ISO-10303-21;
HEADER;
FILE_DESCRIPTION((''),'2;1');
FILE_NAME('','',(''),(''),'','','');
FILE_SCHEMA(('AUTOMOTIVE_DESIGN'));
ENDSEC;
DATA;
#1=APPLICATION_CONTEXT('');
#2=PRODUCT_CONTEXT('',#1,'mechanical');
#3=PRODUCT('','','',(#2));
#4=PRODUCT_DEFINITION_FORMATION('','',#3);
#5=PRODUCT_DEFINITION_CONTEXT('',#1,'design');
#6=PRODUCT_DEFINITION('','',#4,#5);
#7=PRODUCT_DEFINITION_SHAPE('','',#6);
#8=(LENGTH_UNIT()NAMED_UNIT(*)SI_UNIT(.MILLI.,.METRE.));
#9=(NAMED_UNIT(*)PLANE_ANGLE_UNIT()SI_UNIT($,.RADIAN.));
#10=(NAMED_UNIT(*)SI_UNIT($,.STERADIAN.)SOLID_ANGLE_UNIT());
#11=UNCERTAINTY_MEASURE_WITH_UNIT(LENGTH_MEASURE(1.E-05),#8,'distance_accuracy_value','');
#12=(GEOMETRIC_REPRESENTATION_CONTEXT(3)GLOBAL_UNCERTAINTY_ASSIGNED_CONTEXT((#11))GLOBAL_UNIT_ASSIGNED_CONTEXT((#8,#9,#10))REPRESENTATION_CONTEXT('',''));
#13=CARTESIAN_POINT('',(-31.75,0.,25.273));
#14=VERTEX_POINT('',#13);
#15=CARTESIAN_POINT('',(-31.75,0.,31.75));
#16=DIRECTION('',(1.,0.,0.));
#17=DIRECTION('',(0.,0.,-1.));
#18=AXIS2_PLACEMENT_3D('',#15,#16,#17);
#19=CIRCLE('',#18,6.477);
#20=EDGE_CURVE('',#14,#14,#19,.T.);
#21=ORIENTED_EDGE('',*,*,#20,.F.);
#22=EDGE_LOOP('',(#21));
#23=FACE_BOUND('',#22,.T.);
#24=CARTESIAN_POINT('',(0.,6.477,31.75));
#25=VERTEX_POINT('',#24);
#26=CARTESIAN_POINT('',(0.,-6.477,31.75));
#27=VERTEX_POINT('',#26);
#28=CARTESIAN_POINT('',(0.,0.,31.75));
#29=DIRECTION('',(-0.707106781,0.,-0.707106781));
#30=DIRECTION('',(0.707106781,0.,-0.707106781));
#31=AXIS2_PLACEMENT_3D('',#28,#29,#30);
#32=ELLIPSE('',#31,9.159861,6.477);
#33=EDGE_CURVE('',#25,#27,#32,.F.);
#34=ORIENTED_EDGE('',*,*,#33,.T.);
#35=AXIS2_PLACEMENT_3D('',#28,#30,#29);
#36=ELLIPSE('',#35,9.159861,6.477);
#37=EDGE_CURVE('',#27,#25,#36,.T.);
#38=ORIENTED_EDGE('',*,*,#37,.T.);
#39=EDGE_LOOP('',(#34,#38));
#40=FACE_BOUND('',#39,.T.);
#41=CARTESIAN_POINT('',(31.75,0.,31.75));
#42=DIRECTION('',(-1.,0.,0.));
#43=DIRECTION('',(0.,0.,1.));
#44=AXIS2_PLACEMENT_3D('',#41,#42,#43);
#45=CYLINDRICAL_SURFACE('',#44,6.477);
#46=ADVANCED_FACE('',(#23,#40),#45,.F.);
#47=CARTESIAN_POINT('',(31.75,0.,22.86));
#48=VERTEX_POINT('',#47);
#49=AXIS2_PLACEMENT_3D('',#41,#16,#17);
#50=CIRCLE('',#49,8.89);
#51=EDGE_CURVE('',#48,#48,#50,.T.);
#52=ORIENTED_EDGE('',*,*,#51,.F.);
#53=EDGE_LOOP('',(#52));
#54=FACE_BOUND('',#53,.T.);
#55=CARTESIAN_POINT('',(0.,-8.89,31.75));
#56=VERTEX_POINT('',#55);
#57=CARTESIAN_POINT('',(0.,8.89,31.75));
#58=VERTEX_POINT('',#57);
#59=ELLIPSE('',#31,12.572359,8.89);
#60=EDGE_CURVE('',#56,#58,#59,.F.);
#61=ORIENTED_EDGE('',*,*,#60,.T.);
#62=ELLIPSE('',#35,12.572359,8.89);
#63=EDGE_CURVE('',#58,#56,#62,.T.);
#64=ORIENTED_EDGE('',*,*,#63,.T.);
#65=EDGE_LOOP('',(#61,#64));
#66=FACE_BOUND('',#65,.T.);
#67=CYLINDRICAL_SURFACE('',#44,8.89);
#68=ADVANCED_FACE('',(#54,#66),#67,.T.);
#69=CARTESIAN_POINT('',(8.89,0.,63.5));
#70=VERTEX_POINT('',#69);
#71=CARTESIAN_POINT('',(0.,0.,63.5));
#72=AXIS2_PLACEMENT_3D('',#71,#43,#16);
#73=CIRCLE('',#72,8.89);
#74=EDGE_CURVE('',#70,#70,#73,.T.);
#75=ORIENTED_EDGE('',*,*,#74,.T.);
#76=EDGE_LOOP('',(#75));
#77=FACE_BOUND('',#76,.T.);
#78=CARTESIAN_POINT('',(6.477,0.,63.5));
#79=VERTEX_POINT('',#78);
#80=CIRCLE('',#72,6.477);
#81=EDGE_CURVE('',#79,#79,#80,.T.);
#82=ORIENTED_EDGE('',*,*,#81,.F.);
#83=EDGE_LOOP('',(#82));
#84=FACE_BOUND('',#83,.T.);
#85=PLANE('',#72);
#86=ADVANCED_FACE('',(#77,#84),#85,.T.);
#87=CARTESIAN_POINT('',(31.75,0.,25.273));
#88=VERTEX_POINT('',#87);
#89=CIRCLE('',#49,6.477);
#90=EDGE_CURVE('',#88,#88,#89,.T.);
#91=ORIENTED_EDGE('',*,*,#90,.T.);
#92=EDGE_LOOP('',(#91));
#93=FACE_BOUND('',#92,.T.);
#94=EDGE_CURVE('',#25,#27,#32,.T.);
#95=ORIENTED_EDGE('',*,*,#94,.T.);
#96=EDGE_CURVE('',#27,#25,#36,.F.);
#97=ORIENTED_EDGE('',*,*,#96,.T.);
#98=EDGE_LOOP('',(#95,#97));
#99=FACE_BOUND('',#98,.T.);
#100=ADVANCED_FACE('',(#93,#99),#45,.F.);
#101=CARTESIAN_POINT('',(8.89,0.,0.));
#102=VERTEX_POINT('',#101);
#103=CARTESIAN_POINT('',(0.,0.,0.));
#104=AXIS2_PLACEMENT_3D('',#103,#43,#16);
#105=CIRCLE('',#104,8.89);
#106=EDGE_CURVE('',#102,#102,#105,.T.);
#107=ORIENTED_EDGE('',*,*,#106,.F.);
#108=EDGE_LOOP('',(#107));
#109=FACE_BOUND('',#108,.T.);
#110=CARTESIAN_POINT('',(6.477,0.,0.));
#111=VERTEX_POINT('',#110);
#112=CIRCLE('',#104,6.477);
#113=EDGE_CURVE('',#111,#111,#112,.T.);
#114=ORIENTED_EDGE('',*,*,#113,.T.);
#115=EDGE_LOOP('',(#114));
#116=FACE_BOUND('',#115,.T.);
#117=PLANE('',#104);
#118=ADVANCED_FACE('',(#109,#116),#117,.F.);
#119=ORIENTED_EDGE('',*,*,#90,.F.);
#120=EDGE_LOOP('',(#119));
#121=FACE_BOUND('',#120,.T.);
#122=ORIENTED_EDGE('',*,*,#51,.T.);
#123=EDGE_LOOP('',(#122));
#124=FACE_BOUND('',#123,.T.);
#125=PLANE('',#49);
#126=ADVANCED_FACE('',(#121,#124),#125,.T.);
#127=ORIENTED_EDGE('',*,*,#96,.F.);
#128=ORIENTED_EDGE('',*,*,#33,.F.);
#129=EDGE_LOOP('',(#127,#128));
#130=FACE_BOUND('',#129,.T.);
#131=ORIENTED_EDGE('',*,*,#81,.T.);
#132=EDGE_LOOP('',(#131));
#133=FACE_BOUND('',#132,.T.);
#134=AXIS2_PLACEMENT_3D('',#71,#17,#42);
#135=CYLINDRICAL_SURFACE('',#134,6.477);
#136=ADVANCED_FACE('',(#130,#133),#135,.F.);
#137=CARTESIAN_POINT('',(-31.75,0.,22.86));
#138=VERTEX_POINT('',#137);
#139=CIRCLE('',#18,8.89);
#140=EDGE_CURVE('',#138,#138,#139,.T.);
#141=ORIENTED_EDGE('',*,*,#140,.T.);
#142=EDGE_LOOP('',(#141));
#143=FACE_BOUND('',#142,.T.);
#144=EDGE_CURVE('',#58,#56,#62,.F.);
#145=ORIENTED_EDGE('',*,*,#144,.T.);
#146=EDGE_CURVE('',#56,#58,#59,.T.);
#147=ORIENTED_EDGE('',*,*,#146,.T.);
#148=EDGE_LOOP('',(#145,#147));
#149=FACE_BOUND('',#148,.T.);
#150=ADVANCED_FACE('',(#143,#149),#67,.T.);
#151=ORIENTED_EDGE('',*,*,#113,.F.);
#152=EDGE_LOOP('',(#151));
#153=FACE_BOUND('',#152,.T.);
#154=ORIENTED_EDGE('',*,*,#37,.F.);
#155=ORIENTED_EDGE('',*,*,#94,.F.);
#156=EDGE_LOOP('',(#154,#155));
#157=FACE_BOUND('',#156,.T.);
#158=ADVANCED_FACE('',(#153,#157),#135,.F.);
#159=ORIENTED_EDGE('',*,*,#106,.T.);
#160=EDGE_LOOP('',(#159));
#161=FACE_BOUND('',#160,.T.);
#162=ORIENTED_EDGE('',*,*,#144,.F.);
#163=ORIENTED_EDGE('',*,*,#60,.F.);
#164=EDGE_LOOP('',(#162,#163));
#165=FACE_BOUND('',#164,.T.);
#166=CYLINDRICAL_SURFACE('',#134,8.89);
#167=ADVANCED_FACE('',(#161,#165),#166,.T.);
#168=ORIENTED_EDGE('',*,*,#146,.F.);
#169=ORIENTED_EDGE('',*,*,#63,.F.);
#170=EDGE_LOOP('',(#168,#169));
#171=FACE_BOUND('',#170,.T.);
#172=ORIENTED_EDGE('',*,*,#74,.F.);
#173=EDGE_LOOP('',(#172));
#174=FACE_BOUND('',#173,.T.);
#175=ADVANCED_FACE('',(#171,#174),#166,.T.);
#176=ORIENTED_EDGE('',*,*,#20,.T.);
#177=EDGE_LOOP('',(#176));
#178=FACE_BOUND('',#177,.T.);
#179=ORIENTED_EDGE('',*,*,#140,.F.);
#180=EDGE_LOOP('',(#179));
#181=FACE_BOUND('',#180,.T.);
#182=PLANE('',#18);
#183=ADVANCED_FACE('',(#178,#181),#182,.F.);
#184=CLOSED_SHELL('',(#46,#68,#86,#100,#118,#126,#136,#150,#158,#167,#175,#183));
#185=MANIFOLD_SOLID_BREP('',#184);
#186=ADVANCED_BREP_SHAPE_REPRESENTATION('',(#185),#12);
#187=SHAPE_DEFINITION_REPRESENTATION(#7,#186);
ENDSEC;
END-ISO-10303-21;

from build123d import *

# Parameters (mm, degrees)
SKETCH1_R           = 8.89
SKETCH1_R_2         = 6.477
BOSS_EXTRUDE1_DEPTH = 63.5
SKETCH2_R           = 8.89
SKETCH2_R_2         = 6.477
BOSS_EXTRUDE2_DEPTH = 31.75
SKETCH4_R           = 6.477
CUT_EXTRUDE1_DEPTH  = 64.5000001
SKETCH5_R           = 6.477
CUT_EXTRUDE2_DEPTH  = 64.5000001


with BuildPart() as part:
    # Sketch1 → Boss-Extrude1 (new body)
    with BuildSketch(Plane.XY):
        Circle(SKETCH1_R)
        Circle(SKETCH1_R_2, mode=Mode.SUBTRACT)
    extrude(amount=BOSS_EXTRUDE1_DEPTH)

    # Sketch2 → Boss-Extrude2 (add, symmetric)
    with BuildSketch(Plane(origin=(0, 0, 0), x_dir=(0, 0, -1), z_dir=(1, 0, 0))):
        with Locations((-31.75, 0)):
            Circle(SKETCH2_R)
        with Locations((-31.75, 0)):
            Circle(SKETCH2_R_2, mode=Mode.SUBTRACT)
    extrude(amount=BOSS_EXTRUDE2_DEPTH, both=True)

    # Sketch4 → Cut-Extrude1 (cut, through all)
    with BuildSketch(Plane(origin=(0, 0, 0), x_dir=(-1, 0, 0), z_dir=(0, 0, -1))):
        Circle(SKETCH4_R)
    extrude(amount=-CUT_EXTRUDE1_DEPTH, mode=Mode.SUBTRACT)

    # Sketch5 → Cut-Extrude2 (cut, through all)
    with BuildSketch(Plane(origin=(31.75, 0, 0), x_dir=(0, 0, -1), z_dir=(1, 0, 0))):
        with Locations((-31.75, 0)):
            Circle(SKETCH5_R)
    extrude(amount=-CUT_EXTRUDE2_DEPTH, mode=Mode.SUBTRACT)


solid = part.part
